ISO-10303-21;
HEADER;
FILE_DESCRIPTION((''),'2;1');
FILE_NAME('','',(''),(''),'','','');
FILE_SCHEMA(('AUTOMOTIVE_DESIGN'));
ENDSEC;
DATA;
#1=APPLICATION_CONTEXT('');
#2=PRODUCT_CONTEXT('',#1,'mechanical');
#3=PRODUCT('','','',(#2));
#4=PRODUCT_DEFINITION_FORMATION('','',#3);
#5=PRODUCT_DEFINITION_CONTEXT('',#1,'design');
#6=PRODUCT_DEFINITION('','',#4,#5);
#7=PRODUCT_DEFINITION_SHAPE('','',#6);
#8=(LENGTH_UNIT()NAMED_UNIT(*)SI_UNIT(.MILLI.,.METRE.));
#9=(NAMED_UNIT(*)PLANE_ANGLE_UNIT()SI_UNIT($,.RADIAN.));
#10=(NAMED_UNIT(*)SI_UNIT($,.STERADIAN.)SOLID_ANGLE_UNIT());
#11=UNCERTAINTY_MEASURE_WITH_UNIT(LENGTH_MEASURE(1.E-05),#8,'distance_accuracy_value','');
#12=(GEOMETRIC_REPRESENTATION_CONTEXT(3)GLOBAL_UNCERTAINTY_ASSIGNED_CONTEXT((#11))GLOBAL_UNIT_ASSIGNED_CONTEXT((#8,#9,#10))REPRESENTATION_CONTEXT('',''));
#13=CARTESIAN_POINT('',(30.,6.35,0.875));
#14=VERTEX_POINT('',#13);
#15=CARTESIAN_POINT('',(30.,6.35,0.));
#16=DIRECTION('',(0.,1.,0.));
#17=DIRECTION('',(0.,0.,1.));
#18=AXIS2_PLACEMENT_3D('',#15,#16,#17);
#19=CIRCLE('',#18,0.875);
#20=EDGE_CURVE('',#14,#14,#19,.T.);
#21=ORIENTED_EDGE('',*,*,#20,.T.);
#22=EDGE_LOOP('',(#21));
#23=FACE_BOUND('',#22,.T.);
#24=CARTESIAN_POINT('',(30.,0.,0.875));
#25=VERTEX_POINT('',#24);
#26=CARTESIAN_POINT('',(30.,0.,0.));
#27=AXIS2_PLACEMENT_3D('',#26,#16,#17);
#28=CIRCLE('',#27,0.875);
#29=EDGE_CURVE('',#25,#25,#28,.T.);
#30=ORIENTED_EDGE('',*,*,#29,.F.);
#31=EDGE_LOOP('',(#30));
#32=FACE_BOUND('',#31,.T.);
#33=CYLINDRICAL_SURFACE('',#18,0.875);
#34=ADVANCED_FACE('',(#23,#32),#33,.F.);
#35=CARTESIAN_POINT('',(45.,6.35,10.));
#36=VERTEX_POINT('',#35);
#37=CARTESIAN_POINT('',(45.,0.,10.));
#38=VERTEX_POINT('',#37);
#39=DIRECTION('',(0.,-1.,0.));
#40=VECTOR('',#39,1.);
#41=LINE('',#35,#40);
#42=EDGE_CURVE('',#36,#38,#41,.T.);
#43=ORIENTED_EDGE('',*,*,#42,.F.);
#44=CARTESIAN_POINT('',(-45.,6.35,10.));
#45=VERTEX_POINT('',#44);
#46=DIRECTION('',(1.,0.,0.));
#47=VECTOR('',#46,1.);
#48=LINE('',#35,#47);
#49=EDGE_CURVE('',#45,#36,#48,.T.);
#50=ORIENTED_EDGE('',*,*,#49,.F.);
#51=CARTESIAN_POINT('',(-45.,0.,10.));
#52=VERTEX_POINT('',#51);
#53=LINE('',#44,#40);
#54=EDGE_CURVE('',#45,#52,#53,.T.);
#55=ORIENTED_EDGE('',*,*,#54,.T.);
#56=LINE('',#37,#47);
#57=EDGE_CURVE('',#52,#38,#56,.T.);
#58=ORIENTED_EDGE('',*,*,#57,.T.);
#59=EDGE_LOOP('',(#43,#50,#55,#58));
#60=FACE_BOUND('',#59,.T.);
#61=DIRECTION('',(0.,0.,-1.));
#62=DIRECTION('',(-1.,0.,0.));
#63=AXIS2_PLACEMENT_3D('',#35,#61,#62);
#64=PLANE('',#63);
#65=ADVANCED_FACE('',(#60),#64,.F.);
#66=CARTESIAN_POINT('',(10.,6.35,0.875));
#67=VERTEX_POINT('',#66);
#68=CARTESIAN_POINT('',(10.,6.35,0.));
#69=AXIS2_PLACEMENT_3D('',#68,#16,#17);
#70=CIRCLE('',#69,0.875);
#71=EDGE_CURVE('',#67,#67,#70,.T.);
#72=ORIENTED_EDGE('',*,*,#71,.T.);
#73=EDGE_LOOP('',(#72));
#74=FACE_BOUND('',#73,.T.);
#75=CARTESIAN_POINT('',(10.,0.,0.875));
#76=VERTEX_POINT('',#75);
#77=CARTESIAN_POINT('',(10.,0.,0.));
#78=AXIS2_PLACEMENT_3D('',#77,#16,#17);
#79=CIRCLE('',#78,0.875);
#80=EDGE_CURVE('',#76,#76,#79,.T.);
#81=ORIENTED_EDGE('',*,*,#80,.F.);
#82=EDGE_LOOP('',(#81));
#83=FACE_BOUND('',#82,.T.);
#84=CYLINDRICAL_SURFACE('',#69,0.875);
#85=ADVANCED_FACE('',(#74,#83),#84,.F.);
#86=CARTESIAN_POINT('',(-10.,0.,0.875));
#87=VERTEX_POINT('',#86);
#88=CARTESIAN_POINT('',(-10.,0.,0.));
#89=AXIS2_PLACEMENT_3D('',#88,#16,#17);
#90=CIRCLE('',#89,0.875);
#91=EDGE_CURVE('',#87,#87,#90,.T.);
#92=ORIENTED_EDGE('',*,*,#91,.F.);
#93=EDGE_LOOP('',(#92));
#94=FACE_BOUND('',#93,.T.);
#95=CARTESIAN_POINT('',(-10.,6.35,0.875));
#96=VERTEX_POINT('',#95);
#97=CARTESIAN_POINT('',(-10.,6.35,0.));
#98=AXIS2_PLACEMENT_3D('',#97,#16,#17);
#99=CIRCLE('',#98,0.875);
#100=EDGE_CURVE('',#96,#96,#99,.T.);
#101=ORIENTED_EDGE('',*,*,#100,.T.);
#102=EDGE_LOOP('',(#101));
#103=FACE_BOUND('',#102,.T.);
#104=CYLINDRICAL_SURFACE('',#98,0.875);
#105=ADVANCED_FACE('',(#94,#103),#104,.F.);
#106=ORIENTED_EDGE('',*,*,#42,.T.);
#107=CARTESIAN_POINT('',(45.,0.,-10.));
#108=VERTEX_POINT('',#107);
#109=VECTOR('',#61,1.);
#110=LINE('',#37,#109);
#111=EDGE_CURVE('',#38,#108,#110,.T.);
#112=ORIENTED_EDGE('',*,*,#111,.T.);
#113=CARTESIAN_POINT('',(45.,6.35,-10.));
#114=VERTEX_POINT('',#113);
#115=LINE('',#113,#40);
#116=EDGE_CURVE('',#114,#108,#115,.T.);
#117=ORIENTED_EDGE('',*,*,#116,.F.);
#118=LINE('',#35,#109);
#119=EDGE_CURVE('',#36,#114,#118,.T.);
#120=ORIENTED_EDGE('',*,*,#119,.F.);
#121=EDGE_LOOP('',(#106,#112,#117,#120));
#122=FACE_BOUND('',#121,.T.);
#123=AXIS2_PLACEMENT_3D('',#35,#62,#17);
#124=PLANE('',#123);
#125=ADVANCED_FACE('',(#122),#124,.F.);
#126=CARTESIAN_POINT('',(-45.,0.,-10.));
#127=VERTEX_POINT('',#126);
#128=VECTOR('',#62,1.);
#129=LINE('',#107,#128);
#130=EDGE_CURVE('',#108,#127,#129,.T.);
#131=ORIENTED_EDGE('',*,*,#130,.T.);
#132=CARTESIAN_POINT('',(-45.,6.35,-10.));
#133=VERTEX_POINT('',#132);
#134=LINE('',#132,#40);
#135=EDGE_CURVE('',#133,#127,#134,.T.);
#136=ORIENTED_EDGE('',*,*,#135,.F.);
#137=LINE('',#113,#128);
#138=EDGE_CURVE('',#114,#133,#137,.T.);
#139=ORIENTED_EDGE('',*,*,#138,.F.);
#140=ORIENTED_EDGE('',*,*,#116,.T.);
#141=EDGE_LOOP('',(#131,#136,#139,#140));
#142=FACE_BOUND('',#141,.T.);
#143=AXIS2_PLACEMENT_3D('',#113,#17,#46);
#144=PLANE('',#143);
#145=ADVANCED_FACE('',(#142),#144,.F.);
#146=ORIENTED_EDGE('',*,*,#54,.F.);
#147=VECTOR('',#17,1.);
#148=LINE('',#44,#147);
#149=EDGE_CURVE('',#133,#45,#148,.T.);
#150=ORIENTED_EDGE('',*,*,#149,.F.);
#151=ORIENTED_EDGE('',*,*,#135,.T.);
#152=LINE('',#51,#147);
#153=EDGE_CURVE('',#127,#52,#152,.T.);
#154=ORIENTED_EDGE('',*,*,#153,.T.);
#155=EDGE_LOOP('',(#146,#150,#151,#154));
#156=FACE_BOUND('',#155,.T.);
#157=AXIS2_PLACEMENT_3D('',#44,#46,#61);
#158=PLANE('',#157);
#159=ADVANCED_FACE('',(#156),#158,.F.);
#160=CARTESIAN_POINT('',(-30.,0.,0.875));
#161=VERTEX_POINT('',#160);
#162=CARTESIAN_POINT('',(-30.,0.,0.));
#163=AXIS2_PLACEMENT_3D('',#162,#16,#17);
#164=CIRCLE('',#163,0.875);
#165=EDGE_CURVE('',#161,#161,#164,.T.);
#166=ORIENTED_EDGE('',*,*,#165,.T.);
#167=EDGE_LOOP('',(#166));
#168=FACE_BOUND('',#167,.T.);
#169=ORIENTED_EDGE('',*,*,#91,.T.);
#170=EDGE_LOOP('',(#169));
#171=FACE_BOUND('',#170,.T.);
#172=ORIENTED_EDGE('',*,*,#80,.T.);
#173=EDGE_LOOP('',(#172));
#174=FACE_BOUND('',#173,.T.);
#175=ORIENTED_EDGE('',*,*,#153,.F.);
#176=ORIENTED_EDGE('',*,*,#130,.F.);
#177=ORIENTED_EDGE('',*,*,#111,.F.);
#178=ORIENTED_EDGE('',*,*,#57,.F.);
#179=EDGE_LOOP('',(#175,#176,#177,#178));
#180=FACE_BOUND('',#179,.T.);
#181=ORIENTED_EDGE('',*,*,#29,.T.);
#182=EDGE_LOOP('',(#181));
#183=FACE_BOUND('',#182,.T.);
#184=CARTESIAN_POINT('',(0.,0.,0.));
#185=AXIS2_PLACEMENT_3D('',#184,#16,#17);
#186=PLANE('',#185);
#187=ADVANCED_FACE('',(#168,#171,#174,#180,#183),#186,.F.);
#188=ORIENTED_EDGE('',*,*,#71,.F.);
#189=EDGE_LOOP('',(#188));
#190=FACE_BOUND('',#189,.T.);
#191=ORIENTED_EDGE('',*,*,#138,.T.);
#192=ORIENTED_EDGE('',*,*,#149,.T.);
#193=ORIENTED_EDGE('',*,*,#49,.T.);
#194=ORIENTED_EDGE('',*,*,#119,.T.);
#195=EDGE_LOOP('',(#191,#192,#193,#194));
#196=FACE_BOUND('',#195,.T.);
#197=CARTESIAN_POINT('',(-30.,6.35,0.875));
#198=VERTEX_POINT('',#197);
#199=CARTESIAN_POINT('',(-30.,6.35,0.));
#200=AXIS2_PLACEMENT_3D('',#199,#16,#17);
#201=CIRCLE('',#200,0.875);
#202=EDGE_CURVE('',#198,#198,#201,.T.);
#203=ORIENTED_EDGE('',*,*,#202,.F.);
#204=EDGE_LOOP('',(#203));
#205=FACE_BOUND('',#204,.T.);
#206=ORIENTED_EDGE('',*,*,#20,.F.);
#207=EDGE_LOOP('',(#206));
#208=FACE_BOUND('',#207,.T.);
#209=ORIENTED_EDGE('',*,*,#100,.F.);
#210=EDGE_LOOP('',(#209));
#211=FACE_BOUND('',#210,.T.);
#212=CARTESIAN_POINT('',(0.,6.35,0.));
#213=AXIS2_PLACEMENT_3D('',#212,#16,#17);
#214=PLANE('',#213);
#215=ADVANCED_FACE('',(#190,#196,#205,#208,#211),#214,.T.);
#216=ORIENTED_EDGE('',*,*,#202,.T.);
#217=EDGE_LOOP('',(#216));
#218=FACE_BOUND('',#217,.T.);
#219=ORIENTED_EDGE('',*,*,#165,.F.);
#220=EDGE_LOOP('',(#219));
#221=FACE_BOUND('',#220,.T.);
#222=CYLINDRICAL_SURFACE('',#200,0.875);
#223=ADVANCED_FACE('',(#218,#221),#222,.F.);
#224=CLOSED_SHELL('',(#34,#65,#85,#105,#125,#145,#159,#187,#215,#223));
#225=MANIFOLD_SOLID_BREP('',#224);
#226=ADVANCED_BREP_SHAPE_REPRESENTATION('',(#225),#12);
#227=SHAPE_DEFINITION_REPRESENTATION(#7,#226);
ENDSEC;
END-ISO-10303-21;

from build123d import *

# Parameters (mm, degrees)
SKETCH1_W                      = 90
SKETCH1_H                      = 20
BOSS_EXTRUDE1_DEPTH            = 6.35
TAP_DRILL_FOR_M2_2X0_45_TAP1_D = 1.75


with BuildPart() as part:
    # Sketch1 → Boss-Extrude1 (new body)
    with BuildSketch(Plane(origin=(0, 0, 0), x_dir=(1, 0, 0), z_dir=(0, 1, 0))):
        Rectangle(SKETCH1_W, SKETCH1_H)
    extrude(amount=BOSS_EXTRUDE1_DEPTH)

    # Tap Drill for M2.2x0.45 Tap1 (through all)
    with Locations(Plane(origin=(0, 6.35, 0), x_dir=(1, 0, 0), z_dir=(0, 1, 0))):
        with Locations((-30, 0), (-10, 0), (30, 0), (10, 0)):
            Hole(TAP_DRILL_FOR_M2_2X0_45_TAP1_D / 2)


solid = part.part
